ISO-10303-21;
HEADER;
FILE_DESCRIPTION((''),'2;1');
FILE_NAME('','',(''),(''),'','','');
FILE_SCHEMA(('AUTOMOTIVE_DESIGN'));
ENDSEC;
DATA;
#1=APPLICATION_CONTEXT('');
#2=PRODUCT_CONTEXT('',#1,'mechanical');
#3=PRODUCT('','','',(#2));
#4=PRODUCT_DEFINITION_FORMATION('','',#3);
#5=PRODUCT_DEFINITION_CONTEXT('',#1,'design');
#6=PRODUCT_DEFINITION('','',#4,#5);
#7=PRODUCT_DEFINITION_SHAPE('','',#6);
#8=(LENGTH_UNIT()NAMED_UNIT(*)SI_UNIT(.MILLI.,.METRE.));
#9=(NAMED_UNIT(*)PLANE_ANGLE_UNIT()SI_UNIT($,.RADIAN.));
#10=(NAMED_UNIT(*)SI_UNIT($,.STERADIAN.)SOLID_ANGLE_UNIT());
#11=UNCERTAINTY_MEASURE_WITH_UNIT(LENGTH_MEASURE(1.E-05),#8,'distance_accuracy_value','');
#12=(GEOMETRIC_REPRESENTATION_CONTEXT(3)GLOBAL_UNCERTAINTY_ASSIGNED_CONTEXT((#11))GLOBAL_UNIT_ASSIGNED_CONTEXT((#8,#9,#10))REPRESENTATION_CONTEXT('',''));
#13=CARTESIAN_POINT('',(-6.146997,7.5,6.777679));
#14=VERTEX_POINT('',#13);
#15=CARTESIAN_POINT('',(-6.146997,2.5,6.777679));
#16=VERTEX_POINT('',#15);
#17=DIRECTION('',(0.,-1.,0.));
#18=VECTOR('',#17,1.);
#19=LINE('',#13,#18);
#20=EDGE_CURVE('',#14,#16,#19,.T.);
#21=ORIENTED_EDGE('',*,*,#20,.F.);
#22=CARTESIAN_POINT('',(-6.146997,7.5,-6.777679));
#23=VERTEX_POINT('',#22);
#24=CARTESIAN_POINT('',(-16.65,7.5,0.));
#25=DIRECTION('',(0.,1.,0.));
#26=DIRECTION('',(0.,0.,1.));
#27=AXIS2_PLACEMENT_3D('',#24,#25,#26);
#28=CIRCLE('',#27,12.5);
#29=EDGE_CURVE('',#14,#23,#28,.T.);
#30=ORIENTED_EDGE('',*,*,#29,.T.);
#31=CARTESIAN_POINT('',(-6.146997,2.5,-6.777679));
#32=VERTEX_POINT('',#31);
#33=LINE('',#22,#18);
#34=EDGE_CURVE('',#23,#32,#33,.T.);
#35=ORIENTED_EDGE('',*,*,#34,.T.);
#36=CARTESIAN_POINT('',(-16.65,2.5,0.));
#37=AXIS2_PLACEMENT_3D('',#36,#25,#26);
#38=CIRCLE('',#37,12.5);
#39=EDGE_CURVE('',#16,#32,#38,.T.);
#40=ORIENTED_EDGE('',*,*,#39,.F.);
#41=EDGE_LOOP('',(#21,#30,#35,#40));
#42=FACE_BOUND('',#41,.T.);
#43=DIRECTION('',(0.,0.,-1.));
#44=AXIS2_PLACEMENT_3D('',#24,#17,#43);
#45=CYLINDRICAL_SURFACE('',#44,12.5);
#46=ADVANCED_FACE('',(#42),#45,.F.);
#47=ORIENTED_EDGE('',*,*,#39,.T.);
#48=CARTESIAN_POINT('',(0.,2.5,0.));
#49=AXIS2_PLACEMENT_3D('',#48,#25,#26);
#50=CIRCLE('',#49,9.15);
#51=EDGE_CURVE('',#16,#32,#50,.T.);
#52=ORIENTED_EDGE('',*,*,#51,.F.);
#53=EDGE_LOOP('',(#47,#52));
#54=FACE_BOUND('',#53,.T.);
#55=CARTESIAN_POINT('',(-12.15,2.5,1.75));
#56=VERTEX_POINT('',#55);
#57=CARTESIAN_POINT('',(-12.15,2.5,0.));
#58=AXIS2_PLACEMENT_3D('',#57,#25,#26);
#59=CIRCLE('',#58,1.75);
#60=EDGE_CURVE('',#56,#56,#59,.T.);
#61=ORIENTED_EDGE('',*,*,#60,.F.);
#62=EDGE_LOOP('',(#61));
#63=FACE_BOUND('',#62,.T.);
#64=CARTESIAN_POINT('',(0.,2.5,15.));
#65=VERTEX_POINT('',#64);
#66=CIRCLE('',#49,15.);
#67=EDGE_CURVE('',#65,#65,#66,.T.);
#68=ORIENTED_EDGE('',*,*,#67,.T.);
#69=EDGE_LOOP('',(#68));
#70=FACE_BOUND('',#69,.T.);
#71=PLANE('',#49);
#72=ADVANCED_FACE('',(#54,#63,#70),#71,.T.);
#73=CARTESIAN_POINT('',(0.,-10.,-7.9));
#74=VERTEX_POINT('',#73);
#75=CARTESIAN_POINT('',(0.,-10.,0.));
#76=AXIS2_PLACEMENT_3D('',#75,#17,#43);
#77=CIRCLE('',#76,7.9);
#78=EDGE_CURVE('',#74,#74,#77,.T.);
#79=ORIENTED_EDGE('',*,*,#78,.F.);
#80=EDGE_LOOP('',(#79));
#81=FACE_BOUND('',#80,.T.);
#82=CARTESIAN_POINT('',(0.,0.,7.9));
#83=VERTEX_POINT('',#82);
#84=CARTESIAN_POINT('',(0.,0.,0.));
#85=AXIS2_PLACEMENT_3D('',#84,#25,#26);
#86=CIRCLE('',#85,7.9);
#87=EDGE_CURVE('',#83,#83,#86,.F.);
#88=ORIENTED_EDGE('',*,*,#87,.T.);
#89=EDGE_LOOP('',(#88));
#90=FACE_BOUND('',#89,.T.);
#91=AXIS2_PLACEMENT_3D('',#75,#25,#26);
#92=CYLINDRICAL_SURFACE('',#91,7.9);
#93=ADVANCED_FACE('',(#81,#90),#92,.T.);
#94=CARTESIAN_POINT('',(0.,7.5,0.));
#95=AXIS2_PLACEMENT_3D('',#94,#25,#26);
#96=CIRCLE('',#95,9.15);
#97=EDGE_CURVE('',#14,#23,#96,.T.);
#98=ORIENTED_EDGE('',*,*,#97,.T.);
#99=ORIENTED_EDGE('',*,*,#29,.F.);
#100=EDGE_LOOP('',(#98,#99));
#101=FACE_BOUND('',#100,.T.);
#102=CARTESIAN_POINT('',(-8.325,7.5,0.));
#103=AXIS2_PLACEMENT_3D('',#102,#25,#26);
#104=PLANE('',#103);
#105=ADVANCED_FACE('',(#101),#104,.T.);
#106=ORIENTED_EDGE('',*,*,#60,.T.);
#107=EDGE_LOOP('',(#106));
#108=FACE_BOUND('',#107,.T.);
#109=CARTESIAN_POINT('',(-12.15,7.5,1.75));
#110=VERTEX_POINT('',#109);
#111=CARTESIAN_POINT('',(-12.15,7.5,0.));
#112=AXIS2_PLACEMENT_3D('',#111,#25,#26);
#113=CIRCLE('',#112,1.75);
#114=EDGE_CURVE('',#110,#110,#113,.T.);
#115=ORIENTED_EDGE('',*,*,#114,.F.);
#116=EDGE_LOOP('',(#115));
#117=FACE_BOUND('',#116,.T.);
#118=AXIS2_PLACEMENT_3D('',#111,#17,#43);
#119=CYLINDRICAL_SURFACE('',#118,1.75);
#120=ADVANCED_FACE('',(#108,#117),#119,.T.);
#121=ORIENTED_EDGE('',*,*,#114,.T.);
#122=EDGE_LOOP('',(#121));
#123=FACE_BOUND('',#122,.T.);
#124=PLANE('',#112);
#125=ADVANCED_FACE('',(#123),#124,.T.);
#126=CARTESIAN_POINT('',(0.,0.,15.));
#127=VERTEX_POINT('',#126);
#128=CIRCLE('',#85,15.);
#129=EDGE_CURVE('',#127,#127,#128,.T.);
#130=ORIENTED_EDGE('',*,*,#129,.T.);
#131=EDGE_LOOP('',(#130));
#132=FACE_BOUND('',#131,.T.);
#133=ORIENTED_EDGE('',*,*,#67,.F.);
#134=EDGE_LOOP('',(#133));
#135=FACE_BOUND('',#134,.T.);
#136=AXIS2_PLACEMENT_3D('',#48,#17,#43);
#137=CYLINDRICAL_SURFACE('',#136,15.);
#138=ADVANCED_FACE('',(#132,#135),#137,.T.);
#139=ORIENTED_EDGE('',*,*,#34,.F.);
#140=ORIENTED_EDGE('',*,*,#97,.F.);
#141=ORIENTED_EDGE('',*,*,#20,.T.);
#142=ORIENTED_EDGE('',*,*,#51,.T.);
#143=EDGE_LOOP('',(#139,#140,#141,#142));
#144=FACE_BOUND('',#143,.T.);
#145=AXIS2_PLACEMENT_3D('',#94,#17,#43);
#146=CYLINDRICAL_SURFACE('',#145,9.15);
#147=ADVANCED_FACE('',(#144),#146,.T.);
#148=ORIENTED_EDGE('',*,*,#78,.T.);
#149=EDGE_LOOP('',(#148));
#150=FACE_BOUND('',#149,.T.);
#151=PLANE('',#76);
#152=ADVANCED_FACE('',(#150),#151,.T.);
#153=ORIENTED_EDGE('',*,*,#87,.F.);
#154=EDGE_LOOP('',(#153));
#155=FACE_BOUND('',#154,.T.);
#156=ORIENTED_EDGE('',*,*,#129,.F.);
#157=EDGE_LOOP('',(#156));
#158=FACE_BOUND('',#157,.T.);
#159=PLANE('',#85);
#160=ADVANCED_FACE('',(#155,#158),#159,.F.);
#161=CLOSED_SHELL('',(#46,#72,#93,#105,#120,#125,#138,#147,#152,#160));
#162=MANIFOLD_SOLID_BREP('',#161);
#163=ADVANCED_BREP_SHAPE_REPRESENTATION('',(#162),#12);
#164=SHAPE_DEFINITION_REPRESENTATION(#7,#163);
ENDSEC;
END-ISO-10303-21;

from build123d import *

# Parameters (mm, degrees)
CROQUIS1_R              = 15
SALIENTE_EXTRUIR1_DEPTH = 2.5
SALIENTE_EXTRUIR2_START = 2.5
CROQUIS1_4_R            = 1.75
SALIENTE_EXTRUIR2_DEPTH = 5
CROQUIS2_R              = 7.9
SALIENTE_EXTRUIR3_DEPTH = 10


with BuildPart() as part:
    # Croquis1 → Saliente-Extruir1 (new body)
    with BuildSketch(Plane(origin=(0, 0, 0), x_dir=(1, 0, 0), z_dir=(0, 1, 0))):
        with Locations(Location((0, 0, 0), (0, 0, 270))):
            Circle(CROQUIS1_R)
    extrude(amount=SALIENTE_EXTRUIR1_DEPTH)

    # Croquis1<4> → Saliente-Extruir2 (add)
    with BuildSketch(Plane(origin=(0, 0, 0), x_dir=(1, 0, 0), z_dir=(0, 1, 0)).offset(SALIENTE_EXTRUIR2_START)):
        with Locations(Location((-12.15, 0, 0), (0, 0, 270))):
            Circle(CROQUIS1_4_R)
        with BuildLine():
            ThreePointArc((-6.146996997, -6.777678653), (9.15, 0), (-6.146996997, 6.777678653))
            ThreePointArc((-6.146996997, 6.777678653), (-4.15, 0), (-6.146996997, -6.777678653))
        make_face()
    extrude(amount=SALIENTE_EXTRUIR2_DEPTH)

    # Croquis2 → Saliente-Extruir3 (add)
    with BuildSketch(Plane.XZ):
        with Locations(Location((0, 0, 0), (0, 0, 90))):
            Circle(CROQUIS2_R)
    extrude(amount=SALIENTE_EXTRUIR3_DEPTH)


solid = part.part
